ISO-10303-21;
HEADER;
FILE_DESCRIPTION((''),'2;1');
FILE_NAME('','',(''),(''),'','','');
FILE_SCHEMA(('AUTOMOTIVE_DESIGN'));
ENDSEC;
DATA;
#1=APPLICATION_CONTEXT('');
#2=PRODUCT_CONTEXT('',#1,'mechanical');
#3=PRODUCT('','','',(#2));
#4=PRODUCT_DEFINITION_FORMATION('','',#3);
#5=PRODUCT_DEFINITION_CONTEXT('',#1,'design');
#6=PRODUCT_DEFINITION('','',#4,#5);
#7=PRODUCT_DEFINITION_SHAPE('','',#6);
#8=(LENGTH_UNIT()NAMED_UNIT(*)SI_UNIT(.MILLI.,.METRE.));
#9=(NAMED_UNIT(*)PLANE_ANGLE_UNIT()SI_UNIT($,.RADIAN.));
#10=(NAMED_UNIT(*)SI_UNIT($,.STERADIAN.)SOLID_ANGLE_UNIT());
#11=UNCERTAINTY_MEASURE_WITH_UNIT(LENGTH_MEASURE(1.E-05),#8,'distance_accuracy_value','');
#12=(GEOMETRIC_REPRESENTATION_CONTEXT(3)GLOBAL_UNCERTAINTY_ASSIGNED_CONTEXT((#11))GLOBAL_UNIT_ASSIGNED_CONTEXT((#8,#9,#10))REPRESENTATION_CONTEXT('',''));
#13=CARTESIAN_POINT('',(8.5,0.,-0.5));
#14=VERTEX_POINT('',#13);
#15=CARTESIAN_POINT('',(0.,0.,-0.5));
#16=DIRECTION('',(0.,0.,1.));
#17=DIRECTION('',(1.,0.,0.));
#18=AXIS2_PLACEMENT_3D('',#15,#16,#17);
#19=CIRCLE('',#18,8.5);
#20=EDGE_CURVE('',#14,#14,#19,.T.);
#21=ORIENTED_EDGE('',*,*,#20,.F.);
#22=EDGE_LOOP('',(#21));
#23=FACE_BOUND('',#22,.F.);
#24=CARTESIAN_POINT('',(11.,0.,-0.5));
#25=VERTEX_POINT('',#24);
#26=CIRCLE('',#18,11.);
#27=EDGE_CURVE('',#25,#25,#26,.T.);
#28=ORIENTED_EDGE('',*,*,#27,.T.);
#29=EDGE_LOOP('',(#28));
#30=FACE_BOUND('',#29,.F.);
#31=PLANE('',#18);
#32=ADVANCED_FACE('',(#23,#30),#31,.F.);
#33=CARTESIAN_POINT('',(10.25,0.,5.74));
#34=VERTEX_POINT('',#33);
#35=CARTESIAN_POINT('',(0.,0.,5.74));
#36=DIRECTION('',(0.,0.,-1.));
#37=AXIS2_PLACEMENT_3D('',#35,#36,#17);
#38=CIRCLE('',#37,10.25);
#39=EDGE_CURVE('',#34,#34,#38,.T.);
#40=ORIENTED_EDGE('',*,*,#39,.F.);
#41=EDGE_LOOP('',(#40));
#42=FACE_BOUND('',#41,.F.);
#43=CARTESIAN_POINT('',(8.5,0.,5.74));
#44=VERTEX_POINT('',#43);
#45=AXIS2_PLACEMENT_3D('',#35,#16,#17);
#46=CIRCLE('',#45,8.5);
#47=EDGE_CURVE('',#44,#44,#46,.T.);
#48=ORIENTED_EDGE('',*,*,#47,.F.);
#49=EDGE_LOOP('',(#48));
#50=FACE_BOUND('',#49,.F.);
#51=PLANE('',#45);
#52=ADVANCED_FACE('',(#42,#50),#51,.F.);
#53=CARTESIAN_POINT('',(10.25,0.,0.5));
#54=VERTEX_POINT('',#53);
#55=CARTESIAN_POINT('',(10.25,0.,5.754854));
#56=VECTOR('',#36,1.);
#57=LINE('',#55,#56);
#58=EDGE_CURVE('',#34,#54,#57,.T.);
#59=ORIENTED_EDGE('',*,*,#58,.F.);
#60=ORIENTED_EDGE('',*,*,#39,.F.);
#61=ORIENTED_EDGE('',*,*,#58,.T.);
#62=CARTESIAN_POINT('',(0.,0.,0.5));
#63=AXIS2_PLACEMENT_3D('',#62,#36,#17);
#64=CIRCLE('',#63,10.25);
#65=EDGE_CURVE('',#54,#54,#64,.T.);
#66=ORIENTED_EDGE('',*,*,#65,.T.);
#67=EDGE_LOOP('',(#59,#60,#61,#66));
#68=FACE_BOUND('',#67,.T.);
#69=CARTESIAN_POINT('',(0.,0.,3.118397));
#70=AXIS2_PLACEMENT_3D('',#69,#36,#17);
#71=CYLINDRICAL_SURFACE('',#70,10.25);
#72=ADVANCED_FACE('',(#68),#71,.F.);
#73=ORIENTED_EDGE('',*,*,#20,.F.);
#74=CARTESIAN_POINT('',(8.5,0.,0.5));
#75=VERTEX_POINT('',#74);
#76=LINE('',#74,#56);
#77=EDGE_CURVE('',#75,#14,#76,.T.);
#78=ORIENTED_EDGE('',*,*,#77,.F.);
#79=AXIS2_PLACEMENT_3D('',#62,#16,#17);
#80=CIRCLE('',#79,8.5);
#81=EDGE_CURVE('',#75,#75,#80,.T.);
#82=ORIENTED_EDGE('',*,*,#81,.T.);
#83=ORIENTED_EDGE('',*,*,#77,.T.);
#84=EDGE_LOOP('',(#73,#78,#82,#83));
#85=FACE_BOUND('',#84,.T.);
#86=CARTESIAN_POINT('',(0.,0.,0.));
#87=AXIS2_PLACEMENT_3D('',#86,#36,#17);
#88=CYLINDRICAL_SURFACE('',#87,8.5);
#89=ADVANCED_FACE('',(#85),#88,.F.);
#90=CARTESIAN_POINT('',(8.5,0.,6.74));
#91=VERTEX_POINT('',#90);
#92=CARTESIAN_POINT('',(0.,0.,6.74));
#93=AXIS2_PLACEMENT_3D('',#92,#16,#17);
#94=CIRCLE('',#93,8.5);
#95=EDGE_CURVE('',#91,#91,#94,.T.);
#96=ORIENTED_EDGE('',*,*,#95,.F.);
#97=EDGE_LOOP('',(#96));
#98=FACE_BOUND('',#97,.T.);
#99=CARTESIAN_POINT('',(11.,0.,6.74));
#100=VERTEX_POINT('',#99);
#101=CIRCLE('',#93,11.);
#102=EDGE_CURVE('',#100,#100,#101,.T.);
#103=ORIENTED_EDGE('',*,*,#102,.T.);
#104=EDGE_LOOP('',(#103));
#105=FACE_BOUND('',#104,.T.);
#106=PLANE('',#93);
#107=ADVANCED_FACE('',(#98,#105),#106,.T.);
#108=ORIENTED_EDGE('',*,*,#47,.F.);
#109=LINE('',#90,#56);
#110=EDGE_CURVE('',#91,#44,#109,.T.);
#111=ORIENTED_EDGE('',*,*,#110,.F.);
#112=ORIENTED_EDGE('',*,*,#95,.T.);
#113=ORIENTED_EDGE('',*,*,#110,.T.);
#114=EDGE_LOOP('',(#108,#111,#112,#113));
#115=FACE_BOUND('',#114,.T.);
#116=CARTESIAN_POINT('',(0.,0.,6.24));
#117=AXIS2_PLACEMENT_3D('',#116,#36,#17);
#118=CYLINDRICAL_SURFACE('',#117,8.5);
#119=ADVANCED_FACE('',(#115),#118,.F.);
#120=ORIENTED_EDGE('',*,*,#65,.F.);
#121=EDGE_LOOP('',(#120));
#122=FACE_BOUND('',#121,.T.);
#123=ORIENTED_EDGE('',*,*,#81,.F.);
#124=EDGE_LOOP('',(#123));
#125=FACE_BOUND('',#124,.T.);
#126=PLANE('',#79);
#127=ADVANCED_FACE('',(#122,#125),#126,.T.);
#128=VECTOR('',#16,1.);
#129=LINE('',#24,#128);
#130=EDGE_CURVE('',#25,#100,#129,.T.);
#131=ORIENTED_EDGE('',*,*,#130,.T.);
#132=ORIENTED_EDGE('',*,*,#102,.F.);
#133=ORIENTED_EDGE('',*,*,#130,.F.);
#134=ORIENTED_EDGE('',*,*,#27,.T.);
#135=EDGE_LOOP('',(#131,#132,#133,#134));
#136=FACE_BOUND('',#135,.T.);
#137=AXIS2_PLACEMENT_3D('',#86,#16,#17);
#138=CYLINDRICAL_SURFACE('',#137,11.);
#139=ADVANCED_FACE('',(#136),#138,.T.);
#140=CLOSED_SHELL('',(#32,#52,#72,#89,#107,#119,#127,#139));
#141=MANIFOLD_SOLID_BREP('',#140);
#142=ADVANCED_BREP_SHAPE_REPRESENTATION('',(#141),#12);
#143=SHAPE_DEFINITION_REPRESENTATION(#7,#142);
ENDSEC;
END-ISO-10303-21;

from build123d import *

# Parameters (mm, degrees)
F2_R     = 11
F2_R_2   = 8.5
F4_DEPTH = 0.5
F0_R     = 11
F0_R_2   = 8.5
F5_R     = 11
F5_R_2   = 10.25
F6_DEPTH = 2.6364565


with BuildPart() as f4:
    # F2 (on offset) → F4 (new body, symmetric)
    with BuildSketch(Plane.XY.offset(6.24)):
        Circle(F2_R)
        Circle(F2_R_2, mode=Mode.SUBTRACT)
    extrude(amount=F4_DEPTH, both=True)



with BuildPart() as f4b:
    # F0 (on Top) → F4, piece 2 (new body, symmetric)
    with BuildSketch(Plane.XY):
        Circle(F0_R)
        Circle(F0_R_2, mode=Mode.SUBTRACT)
    extrude(amount=F4_DEPTH, both=True)


with BuildPart() as f4_1:
    add(f4.part)

    add(f4b.part)  # F6 merges F4b
    # F5 (on offset) → F6 (join, symmetric)
    with BuildSketch(Plane.XY.offset(3.1183971)):
        Circle(F5_R)
        Circle(F5_R_2, mode=Mode.SUBTRACT)
    extrude(amount=F6_DEPTH, both=True)


solid = f4_1.part
